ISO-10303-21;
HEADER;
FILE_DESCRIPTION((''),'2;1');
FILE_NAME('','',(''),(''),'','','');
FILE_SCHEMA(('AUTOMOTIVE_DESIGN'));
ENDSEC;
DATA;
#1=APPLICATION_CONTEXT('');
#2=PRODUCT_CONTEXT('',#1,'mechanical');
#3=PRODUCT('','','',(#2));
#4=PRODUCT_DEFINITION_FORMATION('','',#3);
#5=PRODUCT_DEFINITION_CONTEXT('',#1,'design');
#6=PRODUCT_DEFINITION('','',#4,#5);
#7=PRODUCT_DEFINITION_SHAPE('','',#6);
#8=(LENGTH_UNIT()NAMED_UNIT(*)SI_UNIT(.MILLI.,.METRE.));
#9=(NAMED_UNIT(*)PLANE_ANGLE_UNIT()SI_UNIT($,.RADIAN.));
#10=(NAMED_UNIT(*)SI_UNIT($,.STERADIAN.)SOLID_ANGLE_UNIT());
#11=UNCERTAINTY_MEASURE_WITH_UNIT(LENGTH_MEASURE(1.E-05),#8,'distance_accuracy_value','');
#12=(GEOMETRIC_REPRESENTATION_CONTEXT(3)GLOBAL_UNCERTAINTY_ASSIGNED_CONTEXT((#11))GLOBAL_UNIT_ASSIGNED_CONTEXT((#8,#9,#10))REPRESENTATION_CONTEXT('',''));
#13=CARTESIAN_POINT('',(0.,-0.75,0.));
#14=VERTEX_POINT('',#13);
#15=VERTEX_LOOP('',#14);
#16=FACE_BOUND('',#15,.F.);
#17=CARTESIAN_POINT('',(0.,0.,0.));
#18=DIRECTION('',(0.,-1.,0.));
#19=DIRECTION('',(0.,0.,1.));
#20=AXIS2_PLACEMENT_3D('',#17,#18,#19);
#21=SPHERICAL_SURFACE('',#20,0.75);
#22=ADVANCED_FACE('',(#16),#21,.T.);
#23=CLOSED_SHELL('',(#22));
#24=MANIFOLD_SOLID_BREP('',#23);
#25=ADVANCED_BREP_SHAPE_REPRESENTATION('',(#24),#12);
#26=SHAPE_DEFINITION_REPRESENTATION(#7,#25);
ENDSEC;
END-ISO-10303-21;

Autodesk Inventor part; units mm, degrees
ref_plane "YZ Plane" through (0, 0, 0) normal (1, 0, 0) x (0, 1, 0)
ref_plane "XZ Plane" through (0, 0, 0) normal (0, 1, 0) x (-1, 0, 0)
ref_plane "XY Plane" through (0, 0, 0) normal (0, 0, 1) x (1, 0, 0)
sketch "Szkic1" plane through (0, 0, 0) normal (1, 0, 0) x (0, 1, 0)
  circle A0 centre (0, 0) radius 0.75
  line L0 (-0.75, 0) -> (0.75, 0)
  dimension "d0" = 1.5
revolve "Obrót1" add sketch "Szkic1" angle 360 about axis through (0, -0.75, 0) along (0, 1, 0) picked at (0.1871, 0.1658) contours L0 A0
properties part number "SC8 bearing ball"
